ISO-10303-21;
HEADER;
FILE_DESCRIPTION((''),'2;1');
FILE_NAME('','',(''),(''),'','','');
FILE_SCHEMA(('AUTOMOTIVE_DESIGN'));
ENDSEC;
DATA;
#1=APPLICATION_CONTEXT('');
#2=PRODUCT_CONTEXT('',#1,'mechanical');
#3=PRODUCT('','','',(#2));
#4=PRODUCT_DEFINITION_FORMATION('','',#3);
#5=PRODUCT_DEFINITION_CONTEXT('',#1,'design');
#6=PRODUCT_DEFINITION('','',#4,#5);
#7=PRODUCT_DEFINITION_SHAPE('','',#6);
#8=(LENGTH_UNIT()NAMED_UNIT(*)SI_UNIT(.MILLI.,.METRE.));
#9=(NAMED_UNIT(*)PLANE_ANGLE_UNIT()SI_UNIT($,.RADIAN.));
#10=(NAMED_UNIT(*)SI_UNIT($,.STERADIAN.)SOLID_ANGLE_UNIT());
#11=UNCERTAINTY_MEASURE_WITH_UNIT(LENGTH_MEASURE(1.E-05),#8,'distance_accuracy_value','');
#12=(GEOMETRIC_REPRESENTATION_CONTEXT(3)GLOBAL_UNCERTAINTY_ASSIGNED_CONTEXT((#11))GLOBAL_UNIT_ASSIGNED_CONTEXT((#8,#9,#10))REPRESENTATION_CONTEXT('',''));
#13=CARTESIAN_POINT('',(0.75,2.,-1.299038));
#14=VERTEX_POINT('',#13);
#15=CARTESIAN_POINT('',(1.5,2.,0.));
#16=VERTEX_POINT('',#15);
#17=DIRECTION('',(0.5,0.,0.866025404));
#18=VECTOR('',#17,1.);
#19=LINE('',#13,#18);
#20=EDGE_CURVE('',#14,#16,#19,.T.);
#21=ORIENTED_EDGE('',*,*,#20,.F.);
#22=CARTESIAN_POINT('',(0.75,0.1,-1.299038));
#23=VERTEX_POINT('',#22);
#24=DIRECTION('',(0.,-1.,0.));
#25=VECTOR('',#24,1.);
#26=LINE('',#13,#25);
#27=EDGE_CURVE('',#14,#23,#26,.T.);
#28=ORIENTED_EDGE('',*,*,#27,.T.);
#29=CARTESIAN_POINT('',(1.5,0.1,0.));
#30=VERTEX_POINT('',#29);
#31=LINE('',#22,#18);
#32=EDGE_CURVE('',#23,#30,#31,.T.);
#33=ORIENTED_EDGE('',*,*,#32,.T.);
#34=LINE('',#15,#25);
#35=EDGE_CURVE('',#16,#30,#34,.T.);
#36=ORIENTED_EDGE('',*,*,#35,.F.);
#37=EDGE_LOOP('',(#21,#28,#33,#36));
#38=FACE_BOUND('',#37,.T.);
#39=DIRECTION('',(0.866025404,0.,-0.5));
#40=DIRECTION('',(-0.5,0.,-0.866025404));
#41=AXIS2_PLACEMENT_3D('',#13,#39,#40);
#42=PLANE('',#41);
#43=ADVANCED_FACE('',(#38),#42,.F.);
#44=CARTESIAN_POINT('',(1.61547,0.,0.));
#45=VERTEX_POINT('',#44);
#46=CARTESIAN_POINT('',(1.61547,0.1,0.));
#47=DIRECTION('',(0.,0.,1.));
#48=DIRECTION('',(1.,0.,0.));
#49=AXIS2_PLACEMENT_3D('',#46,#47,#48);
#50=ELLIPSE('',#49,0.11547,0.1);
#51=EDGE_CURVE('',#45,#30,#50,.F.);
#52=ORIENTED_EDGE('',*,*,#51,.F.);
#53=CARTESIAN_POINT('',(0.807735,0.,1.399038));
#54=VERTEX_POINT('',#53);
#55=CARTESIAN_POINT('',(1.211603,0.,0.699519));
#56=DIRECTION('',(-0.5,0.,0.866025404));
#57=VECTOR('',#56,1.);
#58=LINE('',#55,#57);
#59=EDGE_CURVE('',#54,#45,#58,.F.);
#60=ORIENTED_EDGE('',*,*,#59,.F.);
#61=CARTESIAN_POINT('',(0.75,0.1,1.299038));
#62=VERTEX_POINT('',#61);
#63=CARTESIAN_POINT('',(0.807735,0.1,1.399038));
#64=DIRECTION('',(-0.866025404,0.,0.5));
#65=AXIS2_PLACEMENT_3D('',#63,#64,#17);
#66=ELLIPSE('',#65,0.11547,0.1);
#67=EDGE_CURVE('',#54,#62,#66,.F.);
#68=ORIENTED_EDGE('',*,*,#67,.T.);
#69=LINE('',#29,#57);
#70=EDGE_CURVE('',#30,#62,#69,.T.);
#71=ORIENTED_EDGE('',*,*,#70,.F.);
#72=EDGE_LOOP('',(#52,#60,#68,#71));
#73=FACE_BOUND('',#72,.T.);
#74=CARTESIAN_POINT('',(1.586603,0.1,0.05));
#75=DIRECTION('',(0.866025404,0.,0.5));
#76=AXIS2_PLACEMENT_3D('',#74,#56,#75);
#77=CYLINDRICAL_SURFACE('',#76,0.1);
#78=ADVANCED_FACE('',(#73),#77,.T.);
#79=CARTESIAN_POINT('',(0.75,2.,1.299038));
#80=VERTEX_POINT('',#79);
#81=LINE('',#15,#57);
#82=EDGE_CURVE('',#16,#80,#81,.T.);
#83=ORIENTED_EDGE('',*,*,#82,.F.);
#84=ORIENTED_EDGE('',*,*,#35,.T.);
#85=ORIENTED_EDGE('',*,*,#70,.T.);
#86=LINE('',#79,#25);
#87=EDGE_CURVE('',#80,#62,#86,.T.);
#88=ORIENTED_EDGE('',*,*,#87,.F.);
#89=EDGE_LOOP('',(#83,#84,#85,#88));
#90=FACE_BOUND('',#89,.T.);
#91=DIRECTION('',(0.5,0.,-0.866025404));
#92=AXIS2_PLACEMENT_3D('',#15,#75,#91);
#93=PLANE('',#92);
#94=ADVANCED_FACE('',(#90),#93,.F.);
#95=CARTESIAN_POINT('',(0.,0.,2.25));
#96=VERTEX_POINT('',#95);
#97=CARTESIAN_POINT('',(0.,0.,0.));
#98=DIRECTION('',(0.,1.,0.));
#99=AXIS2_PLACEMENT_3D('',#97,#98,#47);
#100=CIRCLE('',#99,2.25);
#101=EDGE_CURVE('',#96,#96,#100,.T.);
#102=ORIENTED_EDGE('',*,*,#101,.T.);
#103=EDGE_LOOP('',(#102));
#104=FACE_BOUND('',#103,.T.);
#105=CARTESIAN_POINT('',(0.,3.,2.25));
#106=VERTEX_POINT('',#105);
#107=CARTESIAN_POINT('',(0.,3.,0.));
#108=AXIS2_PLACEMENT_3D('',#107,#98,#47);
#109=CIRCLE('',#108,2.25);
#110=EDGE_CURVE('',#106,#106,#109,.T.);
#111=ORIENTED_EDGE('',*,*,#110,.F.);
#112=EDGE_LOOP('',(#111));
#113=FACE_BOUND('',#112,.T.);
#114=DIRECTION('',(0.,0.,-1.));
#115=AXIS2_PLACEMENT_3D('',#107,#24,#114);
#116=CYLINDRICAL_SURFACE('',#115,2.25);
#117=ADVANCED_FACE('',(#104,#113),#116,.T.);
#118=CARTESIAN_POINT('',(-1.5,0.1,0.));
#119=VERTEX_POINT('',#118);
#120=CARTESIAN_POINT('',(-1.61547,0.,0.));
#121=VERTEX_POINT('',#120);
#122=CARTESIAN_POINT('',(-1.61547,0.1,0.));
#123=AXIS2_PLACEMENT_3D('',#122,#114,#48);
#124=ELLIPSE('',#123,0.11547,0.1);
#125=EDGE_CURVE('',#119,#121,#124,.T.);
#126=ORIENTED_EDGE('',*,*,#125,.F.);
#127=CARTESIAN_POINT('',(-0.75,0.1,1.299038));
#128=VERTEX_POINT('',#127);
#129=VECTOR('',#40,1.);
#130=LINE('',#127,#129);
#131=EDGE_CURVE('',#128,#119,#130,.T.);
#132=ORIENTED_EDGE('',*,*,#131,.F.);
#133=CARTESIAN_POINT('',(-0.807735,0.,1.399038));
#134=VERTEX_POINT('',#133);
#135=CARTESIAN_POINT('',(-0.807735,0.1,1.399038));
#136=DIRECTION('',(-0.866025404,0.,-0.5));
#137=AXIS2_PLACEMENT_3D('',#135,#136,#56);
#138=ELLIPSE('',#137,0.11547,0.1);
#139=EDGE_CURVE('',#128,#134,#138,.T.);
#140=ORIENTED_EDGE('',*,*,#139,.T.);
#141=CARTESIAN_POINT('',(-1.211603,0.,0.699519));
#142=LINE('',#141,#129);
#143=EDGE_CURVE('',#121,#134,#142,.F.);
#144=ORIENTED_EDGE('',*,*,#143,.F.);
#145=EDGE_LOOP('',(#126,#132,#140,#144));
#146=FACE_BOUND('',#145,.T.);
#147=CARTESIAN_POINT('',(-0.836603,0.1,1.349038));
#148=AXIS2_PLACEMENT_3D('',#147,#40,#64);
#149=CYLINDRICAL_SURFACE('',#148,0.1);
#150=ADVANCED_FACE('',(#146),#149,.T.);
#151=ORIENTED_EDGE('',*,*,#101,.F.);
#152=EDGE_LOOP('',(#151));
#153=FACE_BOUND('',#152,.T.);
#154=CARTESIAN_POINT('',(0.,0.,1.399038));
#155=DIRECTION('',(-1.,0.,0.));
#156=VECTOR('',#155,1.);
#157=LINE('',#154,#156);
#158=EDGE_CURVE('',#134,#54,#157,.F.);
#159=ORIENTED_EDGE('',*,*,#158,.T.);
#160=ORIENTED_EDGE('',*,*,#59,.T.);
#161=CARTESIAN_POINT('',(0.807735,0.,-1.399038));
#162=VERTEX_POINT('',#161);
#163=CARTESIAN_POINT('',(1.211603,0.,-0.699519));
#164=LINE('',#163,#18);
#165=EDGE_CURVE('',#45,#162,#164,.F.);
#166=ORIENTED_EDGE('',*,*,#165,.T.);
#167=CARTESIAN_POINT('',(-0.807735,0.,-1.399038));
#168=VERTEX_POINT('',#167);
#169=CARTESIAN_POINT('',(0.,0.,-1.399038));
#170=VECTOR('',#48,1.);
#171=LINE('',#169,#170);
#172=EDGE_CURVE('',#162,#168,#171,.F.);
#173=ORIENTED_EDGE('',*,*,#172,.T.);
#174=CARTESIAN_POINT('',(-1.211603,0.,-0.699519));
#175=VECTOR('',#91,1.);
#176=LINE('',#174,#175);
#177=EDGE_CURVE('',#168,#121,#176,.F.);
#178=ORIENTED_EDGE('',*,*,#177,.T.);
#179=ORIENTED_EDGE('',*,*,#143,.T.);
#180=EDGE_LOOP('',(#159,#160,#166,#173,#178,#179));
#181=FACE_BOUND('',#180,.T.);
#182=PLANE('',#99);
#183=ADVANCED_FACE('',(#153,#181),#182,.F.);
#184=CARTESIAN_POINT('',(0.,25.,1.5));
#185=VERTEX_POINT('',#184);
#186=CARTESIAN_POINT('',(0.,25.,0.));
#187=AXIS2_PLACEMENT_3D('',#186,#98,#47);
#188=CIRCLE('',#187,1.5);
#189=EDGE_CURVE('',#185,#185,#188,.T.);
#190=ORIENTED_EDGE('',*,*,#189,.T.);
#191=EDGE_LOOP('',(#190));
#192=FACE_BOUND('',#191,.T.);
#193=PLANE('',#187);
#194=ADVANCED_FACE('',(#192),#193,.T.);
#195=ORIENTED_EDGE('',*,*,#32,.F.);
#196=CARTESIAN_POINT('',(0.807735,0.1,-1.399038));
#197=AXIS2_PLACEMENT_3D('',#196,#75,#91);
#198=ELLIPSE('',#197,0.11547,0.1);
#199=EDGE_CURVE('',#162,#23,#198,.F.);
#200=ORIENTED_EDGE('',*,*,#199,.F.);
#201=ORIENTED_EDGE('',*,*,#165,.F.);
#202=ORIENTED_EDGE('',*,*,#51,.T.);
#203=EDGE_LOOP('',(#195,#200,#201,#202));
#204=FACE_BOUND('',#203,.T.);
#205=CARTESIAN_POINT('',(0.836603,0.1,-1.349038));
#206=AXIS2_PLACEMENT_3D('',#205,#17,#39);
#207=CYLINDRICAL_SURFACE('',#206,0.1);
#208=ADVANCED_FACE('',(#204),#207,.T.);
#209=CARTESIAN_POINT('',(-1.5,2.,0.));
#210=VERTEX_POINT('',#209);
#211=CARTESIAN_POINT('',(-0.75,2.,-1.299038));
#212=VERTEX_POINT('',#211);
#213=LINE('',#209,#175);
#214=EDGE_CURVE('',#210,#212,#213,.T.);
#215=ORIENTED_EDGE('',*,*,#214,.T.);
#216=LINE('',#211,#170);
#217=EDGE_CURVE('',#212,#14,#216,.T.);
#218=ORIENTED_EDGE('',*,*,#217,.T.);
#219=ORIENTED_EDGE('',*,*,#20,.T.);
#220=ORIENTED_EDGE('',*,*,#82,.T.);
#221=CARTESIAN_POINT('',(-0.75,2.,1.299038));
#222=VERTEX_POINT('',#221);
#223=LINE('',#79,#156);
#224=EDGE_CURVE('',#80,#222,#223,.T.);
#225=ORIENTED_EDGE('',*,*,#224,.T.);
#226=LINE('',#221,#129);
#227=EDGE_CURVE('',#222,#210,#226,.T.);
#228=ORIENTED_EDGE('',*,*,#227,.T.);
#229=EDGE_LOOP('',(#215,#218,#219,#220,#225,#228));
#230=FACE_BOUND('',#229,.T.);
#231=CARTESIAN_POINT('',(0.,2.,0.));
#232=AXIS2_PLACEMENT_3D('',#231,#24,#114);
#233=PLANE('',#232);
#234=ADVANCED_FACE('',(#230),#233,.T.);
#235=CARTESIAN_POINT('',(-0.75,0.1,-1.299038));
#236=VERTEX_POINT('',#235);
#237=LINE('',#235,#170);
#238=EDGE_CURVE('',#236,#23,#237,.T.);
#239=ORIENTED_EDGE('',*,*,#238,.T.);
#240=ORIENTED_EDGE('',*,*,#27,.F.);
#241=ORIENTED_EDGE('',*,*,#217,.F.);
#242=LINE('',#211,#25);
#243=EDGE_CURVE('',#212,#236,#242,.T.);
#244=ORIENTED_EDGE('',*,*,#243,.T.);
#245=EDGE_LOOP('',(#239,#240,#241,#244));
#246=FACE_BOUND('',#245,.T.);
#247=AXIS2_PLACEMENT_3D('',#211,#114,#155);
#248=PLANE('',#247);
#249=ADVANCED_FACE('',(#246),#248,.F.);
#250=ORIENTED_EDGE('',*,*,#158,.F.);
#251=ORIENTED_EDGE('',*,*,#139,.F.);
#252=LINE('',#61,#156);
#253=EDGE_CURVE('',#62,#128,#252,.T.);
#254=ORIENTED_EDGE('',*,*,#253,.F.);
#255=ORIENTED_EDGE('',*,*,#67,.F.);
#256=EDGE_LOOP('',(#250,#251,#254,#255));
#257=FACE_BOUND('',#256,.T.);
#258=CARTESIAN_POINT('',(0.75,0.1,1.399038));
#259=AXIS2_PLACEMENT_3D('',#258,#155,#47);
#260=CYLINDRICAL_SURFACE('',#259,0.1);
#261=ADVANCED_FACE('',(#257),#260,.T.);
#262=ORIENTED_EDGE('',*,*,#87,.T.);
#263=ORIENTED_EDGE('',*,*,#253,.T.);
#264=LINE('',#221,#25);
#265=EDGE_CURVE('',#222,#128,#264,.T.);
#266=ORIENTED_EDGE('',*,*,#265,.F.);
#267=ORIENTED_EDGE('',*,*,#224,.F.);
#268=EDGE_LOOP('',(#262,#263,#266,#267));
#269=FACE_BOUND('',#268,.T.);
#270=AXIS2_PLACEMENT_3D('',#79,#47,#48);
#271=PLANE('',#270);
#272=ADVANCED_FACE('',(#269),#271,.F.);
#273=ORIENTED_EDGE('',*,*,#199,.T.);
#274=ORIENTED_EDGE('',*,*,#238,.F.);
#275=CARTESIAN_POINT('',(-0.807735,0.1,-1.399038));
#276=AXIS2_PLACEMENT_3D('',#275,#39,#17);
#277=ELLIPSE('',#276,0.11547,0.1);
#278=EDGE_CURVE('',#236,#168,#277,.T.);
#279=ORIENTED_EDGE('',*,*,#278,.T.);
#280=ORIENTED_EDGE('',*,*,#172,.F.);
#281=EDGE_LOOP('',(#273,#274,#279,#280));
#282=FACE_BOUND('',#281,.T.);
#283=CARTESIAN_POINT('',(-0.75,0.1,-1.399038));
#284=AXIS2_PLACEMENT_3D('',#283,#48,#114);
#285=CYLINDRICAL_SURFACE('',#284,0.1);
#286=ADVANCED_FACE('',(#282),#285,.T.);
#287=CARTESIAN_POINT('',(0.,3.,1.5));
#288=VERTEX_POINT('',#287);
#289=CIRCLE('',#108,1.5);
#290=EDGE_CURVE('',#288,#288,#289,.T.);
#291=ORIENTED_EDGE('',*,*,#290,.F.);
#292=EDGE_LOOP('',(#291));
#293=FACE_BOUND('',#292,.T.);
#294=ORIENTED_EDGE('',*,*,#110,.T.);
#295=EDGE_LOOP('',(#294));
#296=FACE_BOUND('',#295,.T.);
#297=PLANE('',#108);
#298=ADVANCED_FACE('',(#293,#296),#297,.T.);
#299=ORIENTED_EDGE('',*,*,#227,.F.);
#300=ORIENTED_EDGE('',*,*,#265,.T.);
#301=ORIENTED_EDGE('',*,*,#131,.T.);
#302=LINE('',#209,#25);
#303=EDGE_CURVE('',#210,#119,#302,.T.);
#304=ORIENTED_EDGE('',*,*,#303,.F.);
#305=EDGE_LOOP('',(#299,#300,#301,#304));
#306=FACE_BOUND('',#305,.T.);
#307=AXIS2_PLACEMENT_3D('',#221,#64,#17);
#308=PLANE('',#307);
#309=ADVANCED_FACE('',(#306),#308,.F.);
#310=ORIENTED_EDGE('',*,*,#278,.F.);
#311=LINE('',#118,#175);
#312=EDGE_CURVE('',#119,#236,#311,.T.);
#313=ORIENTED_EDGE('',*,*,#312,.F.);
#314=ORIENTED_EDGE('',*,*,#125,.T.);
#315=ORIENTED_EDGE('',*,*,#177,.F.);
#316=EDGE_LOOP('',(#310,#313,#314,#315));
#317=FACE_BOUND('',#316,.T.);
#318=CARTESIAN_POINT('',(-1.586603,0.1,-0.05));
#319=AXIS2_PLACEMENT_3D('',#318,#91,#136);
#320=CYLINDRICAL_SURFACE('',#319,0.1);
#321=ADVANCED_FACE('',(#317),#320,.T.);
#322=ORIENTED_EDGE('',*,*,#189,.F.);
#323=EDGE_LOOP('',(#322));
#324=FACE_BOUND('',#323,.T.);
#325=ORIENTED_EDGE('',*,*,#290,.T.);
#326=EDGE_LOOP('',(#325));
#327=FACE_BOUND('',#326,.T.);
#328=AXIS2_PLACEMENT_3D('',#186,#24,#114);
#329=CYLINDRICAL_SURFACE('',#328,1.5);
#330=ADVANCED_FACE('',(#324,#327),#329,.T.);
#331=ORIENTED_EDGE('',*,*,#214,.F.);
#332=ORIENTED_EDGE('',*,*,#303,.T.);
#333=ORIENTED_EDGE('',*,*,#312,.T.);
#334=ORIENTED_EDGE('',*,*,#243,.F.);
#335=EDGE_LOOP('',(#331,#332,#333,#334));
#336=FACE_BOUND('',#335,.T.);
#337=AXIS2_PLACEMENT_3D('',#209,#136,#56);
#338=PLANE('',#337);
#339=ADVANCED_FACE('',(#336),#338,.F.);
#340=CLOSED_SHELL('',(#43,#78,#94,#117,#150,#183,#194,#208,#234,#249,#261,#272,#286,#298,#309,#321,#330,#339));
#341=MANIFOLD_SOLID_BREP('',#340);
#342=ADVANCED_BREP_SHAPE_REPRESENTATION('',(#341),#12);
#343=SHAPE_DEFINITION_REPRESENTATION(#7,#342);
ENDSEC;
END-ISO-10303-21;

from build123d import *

# Parameters (mm, degrees)
SKETCH_1_R          = 2.25
EXTRUDE_1_DEPTH     = 3
SKETCH_2_R          = 1.5
EXTRUDE_2_DEPTH     = 22
CUT_EXTRUDE_1_DEPTH = 2
FILLET_1_R          = 0.1


with BuildPart() as part:
    # 草图1 → 凸台-拉伸1 (new body)
    with BuildSketch(Plane(origin=(0, 0, 0), x_dir=(1, 0, 0), z_dir=(0, 1, 0))):
        with Locations(Location((0, 0, 0), (0, 0, 270))):
            Circle(SKETCH_1_R)
    extrude(amount=EXTRUDE_1_DEPTH)

    # 草图2 → 凸台-拉伸2 (add)
    with BuildSketch(Plane(origin=(0, 3, 0), x_dir=(1, 0, 0), z_dir=(0, 1, 0))):
        with Locations(Location((0, 0, 0), (0, 0, 270))):
            Circle(SKETCH_2_R)
    extrude(amount=EXTRUDE_2_DEPTH)

    # 草图3 → 切除-拉伸1 (cut)
    with BuildSketch(Plane.XZ):
        Polygon((0.75, 1.299038106), (-0.75, 1.299038106), (-1.5, 0), (-0.75, -1.299038106), (0.75, -1.299038106), (1.5, 0), align=None)
    extrude(amount=-CUT_EXTRUDE_1_DEPTH, mode=Mode.SUBTRACT)

    # 圆角1
    fillet_1_edges = [part.edges().sort_by_distance(p)[0] for p in [
        (1.125, 0, 0.649519053),
        (0, 0, 1.299038106),
        (-1.125, 0, 0.649519053),
        (-1.125, 0, -0.649519053),
        (0, 0, -1.299038106),
        (1.125, 0, -0.649519053),
    ]]
    fillet(fillet_1_edges, radius=FILLET_1_R)


solid = part.part
